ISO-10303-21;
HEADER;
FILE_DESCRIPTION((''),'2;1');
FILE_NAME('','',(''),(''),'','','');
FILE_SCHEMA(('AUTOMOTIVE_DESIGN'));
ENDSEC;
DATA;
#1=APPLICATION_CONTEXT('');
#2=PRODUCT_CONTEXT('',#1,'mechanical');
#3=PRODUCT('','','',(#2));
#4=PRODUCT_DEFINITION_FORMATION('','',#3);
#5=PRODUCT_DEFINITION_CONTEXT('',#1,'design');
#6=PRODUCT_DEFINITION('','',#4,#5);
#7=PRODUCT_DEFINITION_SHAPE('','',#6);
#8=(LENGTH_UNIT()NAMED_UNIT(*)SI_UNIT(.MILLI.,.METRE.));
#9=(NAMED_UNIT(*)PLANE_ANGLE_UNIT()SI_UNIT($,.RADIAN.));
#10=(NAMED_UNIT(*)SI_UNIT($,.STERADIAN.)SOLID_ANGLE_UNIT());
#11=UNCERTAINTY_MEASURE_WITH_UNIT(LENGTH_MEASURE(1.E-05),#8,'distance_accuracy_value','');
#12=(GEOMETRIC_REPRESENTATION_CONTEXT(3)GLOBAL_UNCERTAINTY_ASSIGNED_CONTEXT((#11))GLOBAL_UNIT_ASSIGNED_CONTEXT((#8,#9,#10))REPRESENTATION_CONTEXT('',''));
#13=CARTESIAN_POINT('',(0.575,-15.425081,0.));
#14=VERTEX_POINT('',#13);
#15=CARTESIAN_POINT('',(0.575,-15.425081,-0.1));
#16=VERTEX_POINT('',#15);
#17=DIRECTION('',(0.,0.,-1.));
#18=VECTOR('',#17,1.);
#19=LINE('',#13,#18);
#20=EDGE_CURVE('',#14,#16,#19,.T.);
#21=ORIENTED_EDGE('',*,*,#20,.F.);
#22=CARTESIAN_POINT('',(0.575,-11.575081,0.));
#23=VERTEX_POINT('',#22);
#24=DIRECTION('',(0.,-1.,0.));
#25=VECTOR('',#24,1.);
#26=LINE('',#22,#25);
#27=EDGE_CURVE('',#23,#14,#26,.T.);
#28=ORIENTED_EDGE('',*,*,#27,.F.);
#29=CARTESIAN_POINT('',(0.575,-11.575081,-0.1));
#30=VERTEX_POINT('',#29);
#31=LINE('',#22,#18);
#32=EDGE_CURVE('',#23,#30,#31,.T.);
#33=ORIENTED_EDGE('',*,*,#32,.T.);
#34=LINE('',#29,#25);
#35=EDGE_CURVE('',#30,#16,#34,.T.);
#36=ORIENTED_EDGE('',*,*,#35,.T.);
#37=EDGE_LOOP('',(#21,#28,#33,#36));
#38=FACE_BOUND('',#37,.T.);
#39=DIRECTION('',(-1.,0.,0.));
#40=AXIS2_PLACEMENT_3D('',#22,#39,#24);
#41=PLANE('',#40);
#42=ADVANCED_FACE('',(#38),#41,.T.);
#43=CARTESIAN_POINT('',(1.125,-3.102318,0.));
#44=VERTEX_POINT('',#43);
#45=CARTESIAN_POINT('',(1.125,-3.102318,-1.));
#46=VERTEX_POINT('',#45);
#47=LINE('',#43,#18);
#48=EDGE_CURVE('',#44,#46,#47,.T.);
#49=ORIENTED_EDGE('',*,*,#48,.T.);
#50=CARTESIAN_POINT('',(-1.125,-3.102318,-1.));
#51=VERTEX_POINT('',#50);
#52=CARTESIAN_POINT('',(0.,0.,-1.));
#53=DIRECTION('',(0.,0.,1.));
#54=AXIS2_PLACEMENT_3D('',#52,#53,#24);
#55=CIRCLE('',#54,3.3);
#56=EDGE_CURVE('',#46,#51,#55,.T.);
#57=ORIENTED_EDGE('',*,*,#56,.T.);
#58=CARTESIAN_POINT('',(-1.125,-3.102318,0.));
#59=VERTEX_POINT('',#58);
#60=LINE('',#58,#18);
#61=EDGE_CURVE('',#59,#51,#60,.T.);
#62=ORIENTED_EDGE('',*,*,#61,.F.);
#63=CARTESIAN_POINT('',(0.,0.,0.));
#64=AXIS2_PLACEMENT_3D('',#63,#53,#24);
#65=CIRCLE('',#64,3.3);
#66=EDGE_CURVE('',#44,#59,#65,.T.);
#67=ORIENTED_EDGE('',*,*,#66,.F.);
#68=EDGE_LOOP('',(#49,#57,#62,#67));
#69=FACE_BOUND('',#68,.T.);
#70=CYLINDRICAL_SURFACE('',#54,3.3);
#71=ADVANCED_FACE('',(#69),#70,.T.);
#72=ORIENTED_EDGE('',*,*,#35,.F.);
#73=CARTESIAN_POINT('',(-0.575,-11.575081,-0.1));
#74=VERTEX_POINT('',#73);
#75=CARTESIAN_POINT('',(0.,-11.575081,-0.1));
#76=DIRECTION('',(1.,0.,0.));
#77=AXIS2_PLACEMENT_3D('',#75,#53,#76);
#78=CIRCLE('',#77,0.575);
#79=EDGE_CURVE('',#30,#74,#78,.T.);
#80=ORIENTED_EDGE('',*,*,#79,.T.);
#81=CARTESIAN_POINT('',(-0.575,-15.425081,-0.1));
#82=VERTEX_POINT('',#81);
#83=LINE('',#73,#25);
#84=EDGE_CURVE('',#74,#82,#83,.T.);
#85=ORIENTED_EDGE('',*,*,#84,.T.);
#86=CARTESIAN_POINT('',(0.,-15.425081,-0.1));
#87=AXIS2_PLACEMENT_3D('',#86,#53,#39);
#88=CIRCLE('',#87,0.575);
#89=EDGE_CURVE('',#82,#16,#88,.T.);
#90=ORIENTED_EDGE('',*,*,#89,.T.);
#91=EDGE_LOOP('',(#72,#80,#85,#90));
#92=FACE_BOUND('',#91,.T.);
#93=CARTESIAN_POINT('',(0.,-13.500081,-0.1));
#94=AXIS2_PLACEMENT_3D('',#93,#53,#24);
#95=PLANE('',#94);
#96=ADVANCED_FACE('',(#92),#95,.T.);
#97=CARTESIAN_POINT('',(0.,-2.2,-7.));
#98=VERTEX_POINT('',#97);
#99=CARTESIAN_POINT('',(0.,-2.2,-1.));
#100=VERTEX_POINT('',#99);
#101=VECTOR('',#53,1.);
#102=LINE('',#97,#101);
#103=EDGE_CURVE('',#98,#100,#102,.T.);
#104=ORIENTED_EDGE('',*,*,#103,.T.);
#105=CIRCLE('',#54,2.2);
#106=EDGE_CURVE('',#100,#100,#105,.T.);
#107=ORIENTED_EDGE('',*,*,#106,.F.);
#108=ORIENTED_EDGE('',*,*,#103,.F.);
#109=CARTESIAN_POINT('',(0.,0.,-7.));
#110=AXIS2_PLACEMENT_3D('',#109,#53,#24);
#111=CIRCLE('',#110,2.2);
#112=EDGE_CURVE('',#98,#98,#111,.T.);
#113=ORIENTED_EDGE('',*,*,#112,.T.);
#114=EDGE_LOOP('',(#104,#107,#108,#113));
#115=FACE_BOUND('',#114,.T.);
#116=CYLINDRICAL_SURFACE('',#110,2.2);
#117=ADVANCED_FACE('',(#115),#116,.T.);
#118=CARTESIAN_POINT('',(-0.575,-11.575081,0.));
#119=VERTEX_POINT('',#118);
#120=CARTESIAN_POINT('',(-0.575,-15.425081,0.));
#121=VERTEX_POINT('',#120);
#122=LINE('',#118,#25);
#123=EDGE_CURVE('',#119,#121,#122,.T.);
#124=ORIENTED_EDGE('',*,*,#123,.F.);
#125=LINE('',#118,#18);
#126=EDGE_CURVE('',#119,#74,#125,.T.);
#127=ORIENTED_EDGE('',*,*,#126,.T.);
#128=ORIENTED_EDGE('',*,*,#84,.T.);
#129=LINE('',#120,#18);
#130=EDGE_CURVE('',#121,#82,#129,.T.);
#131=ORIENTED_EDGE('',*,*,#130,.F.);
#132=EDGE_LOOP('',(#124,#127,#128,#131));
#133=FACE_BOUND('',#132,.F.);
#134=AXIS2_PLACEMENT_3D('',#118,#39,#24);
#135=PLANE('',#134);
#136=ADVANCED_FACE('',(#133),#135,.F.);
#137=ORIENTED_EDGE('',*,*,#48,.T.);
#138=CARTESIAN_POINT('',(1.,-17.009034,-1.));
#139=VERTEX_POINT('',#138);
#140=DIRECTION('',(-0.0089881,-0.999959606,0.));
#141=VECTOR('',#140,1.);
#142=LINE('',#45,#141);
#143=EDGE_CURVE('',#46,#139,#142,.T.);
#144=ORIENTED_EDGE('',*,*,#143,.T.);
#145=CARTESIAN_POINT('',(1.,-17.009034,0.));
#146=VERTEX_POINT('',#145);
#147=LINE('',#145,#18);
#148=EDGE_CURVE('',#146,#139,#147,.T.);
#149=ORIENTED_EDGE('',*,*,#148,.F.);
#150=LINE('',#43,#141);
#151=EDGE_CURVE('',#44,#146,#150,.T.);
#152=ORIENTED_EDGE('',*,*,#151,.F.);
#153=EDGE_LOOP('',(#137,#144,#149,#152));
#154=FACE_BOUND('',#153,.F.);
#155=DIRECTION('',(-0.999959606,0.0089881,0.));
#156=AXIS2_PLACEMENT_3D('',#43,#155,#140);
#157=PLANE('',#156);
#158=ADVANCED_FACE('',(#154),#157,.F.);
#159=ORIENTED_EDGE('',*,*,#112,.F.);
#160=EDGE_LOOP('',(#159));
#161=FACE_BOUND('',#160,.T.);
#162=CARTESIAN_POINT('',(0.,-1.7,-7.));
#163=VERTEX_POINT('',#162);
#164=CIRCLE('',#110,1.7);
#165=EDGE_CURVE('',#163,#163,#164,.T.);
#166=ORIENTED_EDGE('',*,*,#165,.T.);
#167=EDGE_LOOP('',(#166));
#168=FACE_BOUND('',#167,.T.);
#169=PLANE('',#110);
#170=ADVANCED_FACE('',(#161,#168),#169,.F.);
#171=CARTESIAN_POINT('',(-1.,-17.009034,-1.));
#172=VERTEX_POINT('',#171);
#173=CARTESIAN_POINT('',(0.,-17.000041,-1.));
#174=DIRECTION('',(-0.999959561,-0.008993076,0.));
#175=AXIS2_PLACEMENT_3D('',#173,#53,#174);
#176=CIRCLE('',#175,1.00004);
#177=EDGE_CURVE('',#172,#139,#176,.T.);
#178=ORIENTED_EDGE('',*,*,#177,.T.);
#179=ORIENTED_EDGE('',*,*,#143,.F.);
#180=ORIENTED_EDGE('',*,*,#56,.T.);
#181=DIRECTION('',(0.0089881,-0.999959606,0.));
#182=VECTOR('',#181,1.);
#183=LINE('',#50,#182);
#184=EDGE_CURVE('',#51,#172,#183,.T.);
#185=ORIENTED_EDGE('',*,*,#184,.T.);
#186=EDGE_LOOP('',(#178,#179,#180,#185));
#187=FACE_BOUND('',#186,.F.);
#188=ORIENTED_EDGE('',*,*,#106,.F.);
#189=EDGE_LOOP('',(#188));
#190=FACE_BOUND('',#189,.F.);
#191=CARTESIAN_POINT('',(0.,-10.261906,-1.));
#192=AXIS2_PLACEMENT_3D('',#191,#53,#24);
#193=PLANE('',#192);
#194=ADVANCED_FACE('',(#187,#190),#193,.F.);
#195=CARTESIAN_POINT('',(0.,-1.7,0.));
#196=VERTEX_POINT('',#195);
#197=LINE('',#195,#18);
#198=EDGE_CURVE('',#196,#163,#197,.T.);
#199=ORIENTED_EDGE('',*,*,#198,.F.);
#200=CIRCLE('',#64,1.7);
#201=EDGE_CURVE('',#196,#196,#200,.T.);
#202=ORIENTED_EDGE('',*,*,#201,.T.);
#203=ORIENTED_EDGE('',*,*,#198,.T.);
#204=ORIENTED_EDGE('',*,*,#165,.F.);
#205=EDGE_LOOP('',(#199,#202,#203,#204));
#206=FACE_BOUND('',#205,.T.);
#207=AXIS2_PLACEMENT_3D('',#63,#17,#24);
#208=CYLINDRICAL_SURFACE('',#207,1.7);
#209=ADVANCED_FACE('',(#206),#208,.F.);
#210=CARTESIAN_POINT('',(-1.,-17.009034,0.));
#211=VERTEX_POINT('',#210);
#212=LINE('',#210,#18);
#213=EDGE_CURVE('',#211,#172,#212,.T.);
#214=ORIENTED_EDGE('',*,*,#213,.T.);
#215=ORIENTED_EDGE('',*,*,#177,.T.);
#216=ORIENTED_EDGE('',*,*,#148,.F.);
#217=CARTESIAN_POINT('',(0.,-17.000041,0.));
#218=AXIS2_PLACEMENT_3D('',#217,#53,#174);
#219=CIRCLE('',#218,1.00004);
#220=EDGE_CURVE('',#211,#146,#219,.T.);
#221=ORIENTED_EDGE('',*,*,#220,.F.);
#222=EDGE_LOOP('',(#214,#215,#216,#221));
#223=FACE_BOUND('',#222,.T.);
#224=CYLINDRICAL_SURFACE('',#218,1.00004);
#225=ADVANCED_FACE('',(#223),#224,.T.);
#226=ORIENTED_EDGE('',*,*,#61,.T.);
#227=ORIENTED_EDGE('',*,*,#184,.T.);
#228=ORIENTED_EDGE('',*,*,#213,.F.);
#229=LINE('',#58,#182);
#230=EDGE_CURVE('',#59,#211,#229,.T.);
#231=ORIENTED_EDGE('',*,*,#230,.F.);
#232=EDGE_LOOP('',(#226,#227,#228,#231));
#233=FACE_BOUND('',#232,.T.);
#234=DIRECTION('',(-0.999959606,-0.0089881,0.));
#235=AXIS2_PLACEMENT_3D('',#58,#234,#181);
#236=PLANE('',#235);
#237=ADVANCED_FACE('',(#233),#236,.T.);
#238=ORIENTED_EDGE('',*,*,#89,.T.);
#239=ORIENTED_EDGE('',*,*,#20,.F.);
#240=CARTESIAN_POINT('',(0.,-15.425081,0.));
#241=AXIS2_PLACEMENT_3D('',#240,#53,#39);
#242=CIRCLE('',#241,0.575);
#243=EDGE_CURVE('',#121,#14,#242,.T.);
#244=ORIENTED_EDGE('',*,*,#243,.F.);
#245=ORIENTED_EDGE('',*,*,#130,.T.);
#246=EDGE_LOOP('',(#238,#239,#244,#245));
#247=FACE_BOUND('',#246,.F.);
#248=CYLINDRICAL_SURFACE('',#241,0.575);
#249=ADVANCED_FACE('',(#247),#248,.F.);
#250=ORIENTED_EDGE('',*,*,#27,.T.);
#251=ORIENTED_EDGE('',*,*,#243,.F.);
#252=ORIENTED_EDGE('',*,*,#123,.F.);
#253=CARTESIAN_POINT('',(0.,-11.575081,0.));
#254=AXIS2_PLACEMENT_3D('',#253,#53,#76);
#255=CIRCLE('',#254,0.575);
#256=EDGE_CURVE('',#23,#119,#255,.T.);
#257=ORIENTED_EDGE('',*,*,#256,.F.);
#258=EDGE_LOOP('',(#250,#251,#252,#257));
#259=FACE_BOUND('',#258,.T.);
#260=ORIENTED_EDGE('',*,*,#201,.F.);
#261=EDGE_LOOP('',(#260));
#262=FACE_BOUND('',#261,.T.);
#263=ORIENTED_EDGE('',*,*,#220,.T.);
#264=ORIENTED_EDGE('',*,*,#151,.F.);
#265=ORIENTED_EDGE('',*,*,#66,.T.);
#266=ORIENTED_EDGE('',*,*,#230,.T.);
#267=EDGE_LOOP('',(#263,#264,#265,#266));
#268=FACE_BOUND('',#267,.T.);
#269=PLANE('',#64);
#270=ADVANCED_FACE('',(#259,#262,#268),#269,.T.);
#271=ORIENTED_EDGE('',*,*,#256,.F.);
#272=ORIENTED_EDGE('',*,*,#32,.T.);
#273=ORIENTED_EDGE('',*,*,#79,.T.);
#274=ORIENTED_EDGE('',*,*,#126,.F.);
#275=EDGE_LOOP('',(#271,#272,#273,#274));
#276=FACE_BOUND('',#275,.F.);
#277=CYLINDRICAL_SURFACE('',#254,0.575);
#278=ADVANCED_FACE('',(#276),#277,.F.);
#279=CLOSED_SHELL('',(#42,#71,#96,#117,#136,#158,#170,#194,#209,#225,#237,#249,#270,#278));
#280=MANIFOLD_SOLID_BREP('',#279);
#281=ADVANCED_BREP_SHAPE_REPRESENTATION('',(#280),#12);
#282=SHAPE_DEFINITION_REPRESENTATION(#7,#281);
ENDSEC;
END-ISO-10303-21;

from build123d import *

# Parameters (mm, degrees)
PAD_DEPTH    = 1
POCKET_DEPTH = 0.1


with BuildPart() as part:
    # Sketch → Revolution (revolve)
    with BuildSketch(Plane.YZ):
        Polygon((-3.3, 0), (-1.7, 0), (-1.7, -7), (-2.2, -7), (-2.2, -1), (-3.3, -1), align=None)
    revolve(axis=Axis((0, 0, 0), (0, 0, 1)))

    # Sketch001 (on Face1 of Revolution) → Pad (new body)
    with BuildSketch(Plane(origin=(0, 0, 0), x_dir=(0, -1, 0), z_dir=(0, 0, 1))):
        with BuildLine():
            Line((3.102318, 1.125), (3.102318, -1.125))
            Line((3.102318, -1.125), (17.009034, -1))
            ThreePointArc((17.009034, -1), (18.000081, 0), (17.009034, 1))
            Line((3.102318, 1.125), (17.009034, 1))
        make_face()
    extrude(amount=-PAD_DEPTH)

    # Sketch002 (on Face2 of Pad) → Pocket (cut)
    with BuildSketch(Plane(origin=(0, 0, 0), x_dir=(0, -1, 0), z_dir=(0, 0, 1))):
        with BuildLine():
            ThreePointArc((11.575081, 0.575), (11.000081, 0), (11.575081, -0.575))
            Line((11.575081, -0.575), (15.425081, -0.575))
            ThreePointArc((15.425081, -0.575), (16.000081, 0), (15.425081, 0.575))
            Line((11.575081, 0.575), (15.425081, 0.575))
        make_face()
    extrude(amount=-POCKET_DEPTH, mode=Mode.SUBTRACT)


solid = part.part
